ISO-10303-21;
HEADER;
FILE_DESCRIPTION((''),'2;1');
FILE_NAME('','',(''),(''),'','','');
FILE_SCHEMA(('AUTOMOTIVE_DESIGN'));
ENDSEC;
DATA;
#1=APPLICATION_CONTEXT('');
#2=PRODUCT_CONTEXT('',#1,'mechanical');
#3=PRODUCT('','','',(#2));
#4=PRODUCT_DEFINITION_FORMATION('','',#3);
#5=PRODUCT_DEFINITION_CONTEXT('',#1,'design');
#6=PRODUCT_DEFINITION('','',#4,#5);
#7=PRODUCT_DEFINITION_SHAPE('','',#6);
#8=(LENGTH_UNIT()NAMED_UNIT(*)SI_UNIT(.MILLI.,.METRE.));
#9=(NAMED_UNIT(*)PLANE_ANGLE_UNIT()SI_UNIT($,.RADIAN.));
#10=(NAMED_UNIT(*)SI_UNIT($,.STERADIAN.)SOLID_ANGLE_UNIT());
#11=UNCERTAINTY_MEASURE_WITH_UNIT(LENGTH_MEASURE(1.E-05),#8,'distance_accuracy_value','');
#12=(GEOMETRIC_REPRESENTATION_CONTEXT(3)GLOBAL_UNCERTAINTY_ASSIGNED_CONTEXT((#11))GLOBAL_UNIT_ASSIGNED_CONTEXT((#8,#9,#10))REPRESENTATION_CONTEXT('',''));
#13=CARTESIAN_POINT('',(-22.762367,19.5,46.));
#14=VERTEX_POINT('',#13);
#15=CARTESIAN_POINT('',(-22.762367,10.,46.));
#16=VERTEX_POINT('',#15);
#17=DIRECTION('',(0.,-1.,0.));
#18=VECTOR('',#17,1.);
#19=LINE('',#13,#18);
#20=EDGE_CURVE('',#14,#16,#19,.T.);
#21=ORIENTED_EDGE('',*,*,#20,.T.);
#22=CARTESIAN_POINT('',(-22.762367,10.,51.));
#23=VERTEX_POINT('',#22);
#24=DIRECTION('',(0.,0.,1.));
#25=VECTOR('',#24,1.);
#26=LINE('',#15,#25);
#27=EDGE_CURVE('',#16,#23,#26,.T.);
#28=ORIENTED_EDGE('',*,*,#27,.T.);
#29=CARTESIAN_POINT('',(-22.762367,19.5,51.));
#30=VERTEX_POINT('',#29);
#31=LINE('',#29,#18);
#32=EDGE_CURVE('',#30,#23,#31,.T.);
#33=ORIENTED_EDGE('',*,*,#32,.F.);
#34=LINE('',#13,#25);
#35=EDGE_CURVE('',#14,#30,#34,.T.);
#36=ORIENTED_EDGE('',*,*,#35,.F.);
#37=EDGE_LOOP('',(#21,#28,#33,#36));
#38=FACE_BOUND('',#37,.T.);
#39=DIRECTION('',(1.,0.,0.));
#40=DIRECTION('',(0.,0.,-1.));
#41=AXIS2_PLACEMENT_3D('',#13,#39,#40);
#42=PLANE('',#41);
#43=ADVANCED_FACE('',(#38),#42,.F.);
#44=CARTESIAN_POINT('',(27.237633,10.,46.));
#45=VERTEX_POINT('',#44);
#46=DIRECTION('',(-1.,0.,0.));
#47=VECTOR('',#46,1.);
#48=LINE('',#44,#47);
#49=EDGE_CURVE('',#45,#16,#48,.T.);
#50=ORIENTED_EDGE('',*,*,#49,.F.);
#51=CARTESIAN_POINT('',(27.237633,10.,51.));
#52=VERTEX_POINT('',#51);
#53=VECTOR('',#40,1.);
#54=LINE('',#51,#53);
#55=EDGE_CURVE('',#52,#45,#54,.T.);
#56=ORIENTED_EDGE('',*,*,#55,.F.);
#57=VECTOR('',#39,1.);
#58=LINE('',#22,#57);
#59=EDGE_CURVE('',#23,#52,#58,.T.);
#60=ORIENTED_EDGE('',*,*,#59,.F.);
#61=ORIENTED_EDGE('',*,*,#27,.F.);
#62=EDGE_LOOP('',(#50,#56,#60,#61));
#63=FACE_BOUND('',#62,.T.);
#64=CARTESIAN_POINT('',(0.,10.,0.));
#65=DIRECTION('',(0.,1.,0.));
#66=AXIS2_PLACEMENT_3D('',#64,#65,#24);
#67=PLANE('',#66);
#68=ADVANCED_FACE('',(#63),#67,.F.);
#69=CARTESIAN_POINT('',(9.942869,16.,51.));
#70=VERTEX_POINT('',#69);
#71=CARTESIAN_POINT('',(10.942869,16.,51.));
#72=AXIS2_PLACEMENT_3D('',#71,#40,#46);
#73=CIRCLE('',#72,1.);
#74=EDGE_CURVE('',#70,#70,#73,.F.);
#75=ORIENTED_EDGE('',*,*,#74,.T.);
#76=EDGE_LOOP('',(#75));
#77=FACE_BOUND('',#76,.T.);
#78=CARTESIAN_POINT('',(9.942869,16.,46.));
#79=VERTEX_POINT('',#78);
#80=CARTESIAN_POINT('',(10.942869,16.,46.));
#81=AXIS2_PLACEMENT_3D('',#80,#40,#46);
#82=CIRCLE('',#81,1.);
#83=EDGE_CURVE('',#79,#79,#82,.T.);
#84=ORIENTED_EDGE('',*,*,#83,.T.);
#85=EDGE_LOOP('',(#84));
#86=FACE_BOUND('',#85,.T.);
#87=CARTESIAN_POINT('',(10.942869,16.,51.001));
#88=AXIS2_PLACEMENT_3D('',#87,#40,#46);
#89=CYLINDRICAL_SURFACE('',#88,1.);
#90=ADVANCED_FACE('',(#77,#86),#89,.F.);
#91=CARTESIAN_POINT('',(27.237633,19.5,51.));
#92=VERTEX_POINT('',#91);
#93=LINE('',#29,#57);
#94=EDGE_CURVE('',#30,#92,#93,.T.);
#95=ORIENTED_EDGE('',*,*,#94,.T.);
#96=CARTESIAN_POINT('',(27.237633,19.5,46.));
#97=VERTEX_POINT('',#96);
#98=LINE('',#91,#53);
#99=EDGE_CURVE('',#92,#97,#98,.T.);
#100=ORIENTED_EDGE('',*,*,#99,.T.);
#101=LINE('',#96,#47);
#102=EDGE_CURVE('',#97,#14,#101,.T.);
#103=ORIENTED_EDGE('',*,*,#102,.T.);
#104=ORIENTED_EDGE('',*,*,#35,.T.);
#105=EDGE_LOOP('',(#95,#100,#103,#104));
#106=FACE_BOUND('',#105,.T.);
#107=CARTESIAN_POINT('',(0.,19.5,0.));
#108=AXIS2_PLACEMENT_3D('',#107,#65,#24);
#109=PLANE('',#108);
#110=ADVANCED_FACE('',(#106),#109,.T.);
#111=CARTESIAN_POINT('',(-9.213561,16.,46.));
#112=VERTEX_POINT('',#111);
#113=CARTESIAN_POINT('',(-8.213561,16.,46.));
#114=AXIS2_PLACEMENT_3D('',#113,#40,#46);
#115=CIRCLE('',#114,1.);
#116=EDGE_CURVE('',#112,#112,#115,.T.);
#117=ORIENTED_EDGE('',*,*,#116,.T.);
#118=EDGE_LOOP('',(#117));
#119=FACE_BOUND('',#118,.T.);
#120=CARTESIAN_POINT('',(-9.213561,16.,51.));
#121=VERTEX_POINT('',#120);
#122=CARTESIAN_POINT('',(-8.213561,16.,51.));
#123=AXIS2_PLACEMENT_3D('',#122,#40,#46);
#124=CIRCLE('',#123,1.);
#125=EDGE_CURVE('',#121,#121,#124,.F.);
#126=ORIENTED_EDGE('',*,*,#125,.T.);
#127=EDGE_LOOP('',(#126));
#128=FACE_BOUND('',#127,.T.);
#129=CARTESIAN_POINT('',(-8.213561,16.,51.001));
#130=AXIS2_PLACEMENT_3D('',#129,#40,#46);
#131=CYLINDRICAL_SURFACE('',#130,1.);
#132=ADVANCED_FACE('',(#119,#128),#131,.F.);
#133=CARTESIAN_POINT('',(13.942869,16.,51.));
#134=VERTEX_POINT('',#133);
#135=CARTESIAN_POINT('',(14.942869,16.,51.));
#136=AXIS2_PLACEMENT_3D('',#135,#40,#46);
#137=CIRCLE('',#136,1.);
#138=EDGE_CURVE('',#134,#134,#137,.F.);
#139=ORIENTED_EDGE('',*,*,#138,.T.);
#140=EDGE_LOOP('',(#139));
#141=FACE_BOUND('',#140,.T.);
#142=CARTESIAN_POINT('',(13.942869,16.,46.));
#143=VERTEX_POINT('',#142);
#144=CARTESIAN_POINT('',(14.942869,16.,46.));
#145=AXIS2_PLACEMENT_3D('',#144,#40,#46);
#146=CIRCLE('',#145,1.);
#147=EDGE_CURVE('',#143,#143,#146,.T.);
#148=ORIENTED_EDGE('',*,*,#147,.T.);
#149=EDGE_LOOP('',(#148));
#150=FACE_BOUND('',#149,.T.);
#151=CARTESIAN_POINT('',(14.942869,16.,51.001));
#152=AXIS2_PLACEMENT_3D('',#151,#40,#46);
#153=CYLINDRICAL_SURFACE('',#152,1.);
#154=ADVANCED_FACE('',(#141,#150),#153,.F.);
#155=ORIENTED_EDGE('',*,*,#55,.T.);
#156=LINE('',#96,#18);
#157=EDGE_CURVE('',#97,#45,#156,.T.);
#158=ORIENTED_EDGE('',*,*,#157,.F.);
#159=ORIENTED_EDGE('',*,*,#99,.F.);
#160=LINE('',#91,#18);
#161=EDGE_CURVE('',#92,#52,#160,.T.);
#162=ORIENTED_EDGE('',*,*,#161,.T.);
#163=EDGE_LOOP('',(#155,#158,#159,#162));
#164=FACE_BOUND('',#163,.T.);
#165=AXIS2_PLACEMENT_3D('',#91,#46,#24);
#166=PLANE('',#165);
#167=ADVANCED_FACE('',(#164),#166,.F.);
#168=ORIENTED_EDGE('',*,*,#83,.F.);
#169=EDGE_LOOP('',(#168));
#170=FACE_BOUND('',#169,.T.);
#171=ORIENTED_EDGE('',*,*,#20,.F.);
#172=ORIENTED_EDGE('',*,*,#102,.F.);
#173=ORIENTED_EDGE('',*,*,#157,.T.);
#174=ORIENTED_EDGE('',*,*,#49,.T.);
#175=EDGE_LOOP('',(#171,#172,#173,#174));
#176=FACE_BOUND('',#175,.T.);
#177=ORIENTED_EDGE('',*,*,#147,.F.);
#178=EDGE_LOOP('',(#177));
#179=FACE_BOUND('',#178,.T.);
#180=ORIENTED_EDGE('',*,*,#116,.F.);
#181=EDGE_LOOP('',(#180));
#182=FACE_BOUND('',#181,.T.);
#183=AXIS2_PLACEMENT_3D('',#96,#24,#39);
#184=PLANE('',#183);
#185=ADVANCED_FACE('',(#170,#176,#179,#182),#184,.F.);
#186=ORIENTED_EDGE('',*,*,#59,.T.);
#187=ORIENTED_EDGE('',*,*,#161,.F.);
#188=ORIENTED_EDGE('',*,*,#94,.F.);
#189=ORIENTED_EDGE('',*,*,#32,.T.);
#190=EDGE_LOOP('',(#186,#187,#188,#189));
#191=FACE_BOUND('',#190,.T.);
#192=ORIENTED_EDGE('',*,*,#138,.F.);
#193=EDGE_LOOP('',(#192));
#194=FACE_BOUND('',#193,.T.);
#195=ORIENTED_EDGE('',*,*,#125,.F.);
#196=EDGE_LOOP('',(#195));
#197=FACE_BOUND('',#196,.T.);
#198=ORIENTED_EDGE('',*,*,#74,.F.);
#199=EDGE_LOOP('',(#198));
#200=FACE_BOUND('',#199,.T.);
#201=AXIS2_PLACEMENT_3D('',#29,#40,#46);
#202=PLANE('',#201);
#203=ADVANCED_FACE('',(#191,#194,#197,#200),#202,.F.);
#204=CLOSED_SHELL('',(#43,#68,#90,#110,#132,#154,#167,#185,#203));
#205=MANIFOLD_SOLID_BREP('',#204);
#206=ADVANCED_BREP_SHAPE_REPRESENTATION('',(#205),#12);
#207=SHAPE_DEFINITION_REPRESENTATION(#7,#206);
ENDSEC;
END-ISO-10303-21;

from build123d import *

# Parameters (mm, degrees)
SKETCH1_W           = 50
SKETCH1_H           = 5
BOSS_EXTRUDE1_DEPTH = 9.5
CUT_EXTRUDE1_REACH  = 35.869
SKETCH2_R           = 1


with BuildPart() as part:
    # Sketch1 → Boss-Extrude1 (new body)
    with BuildSketch(Plane(origin=(0, 10, 0), x_dir=(1, 0, 0), z_dir=(0, 1, 0))):
        with Locations((2.237632925, -48.5)):
            Rectangle(SKETCH1_W, SKETCH1_H)
    extrude(amount=BOSS_EXTRUDE1_DEPTH)

    # Sketch2 → Cut-Extrude1 (cut, up to next)
    with BuildSketch(Plane(origin=(0, 0, 46), x_dir=(-1, 0, 0), z_dir=(0, 0, -1)), mode=Mode.PRIVATE) as cut_extrude1_sk1:
        with Locations((-14.942868758, 16)):
            Circle(SKETCH2_R)
    cut_extrude1_tool1 = extrude(cut_extrude1_sk1.sketch, amount=-CUT_EXTRUDE1_REACH, mode=Mode.PRIVATE) & part.part
    # Sketch2 → Cut-Extrude1 (cut, up to next)
    with BuildSketch(Plane(origin=(0, 0, 46), x_dir=(-1, 0, 0), z_dir=(0, 0, -1)), mode=Mode.PRIVATE) as cut_extrude1_sk2:
        with Locations((8.213561031, 16)):
            Circle(SKETCH2_R)
    cut_extrude1_tool2 = extrude(cut_extrude1_sk2.sketch, amount=-CUT_EXTRUDE1_REACH, mode=Mode.PRIVATE) & part.part
    # Sketch2 → Cut-Extrude1 (cut, up to next)
    with BuildSketch(Plane(origin=(0, 0, 46), x_dir=(-1, 0, 0), z_dir=(0, 0, -1)), mode=Mode.PRIVATE) as cut_extrude1_sk3:
        with Locations((-10.942868758, 16)):
            Circle(SKETCH2_R)
    cut_extrude1_tool3 = extrude(cut_extrude1_sk3.sketch, amount=-CUT_EXTRUDE1_REACH, mode=Mode.PRIVATE) & part.part
    add(cut_extrude1_tool1.solids().sort_by_distance((14.942869, 16, 46))[0], mode=Mode.SUBTRACT)
    add(cut_extrude1_tool2.solids().sort_by_distance((-8.213561, 16, 46))[0], mode=Mode.SUBTRACT)
    add(cut_extrude1_tool3.solids().sort_by_distance((10.942869, 16, 46))[0], mode=Mode.SUBTRACT)


solid = part.part
